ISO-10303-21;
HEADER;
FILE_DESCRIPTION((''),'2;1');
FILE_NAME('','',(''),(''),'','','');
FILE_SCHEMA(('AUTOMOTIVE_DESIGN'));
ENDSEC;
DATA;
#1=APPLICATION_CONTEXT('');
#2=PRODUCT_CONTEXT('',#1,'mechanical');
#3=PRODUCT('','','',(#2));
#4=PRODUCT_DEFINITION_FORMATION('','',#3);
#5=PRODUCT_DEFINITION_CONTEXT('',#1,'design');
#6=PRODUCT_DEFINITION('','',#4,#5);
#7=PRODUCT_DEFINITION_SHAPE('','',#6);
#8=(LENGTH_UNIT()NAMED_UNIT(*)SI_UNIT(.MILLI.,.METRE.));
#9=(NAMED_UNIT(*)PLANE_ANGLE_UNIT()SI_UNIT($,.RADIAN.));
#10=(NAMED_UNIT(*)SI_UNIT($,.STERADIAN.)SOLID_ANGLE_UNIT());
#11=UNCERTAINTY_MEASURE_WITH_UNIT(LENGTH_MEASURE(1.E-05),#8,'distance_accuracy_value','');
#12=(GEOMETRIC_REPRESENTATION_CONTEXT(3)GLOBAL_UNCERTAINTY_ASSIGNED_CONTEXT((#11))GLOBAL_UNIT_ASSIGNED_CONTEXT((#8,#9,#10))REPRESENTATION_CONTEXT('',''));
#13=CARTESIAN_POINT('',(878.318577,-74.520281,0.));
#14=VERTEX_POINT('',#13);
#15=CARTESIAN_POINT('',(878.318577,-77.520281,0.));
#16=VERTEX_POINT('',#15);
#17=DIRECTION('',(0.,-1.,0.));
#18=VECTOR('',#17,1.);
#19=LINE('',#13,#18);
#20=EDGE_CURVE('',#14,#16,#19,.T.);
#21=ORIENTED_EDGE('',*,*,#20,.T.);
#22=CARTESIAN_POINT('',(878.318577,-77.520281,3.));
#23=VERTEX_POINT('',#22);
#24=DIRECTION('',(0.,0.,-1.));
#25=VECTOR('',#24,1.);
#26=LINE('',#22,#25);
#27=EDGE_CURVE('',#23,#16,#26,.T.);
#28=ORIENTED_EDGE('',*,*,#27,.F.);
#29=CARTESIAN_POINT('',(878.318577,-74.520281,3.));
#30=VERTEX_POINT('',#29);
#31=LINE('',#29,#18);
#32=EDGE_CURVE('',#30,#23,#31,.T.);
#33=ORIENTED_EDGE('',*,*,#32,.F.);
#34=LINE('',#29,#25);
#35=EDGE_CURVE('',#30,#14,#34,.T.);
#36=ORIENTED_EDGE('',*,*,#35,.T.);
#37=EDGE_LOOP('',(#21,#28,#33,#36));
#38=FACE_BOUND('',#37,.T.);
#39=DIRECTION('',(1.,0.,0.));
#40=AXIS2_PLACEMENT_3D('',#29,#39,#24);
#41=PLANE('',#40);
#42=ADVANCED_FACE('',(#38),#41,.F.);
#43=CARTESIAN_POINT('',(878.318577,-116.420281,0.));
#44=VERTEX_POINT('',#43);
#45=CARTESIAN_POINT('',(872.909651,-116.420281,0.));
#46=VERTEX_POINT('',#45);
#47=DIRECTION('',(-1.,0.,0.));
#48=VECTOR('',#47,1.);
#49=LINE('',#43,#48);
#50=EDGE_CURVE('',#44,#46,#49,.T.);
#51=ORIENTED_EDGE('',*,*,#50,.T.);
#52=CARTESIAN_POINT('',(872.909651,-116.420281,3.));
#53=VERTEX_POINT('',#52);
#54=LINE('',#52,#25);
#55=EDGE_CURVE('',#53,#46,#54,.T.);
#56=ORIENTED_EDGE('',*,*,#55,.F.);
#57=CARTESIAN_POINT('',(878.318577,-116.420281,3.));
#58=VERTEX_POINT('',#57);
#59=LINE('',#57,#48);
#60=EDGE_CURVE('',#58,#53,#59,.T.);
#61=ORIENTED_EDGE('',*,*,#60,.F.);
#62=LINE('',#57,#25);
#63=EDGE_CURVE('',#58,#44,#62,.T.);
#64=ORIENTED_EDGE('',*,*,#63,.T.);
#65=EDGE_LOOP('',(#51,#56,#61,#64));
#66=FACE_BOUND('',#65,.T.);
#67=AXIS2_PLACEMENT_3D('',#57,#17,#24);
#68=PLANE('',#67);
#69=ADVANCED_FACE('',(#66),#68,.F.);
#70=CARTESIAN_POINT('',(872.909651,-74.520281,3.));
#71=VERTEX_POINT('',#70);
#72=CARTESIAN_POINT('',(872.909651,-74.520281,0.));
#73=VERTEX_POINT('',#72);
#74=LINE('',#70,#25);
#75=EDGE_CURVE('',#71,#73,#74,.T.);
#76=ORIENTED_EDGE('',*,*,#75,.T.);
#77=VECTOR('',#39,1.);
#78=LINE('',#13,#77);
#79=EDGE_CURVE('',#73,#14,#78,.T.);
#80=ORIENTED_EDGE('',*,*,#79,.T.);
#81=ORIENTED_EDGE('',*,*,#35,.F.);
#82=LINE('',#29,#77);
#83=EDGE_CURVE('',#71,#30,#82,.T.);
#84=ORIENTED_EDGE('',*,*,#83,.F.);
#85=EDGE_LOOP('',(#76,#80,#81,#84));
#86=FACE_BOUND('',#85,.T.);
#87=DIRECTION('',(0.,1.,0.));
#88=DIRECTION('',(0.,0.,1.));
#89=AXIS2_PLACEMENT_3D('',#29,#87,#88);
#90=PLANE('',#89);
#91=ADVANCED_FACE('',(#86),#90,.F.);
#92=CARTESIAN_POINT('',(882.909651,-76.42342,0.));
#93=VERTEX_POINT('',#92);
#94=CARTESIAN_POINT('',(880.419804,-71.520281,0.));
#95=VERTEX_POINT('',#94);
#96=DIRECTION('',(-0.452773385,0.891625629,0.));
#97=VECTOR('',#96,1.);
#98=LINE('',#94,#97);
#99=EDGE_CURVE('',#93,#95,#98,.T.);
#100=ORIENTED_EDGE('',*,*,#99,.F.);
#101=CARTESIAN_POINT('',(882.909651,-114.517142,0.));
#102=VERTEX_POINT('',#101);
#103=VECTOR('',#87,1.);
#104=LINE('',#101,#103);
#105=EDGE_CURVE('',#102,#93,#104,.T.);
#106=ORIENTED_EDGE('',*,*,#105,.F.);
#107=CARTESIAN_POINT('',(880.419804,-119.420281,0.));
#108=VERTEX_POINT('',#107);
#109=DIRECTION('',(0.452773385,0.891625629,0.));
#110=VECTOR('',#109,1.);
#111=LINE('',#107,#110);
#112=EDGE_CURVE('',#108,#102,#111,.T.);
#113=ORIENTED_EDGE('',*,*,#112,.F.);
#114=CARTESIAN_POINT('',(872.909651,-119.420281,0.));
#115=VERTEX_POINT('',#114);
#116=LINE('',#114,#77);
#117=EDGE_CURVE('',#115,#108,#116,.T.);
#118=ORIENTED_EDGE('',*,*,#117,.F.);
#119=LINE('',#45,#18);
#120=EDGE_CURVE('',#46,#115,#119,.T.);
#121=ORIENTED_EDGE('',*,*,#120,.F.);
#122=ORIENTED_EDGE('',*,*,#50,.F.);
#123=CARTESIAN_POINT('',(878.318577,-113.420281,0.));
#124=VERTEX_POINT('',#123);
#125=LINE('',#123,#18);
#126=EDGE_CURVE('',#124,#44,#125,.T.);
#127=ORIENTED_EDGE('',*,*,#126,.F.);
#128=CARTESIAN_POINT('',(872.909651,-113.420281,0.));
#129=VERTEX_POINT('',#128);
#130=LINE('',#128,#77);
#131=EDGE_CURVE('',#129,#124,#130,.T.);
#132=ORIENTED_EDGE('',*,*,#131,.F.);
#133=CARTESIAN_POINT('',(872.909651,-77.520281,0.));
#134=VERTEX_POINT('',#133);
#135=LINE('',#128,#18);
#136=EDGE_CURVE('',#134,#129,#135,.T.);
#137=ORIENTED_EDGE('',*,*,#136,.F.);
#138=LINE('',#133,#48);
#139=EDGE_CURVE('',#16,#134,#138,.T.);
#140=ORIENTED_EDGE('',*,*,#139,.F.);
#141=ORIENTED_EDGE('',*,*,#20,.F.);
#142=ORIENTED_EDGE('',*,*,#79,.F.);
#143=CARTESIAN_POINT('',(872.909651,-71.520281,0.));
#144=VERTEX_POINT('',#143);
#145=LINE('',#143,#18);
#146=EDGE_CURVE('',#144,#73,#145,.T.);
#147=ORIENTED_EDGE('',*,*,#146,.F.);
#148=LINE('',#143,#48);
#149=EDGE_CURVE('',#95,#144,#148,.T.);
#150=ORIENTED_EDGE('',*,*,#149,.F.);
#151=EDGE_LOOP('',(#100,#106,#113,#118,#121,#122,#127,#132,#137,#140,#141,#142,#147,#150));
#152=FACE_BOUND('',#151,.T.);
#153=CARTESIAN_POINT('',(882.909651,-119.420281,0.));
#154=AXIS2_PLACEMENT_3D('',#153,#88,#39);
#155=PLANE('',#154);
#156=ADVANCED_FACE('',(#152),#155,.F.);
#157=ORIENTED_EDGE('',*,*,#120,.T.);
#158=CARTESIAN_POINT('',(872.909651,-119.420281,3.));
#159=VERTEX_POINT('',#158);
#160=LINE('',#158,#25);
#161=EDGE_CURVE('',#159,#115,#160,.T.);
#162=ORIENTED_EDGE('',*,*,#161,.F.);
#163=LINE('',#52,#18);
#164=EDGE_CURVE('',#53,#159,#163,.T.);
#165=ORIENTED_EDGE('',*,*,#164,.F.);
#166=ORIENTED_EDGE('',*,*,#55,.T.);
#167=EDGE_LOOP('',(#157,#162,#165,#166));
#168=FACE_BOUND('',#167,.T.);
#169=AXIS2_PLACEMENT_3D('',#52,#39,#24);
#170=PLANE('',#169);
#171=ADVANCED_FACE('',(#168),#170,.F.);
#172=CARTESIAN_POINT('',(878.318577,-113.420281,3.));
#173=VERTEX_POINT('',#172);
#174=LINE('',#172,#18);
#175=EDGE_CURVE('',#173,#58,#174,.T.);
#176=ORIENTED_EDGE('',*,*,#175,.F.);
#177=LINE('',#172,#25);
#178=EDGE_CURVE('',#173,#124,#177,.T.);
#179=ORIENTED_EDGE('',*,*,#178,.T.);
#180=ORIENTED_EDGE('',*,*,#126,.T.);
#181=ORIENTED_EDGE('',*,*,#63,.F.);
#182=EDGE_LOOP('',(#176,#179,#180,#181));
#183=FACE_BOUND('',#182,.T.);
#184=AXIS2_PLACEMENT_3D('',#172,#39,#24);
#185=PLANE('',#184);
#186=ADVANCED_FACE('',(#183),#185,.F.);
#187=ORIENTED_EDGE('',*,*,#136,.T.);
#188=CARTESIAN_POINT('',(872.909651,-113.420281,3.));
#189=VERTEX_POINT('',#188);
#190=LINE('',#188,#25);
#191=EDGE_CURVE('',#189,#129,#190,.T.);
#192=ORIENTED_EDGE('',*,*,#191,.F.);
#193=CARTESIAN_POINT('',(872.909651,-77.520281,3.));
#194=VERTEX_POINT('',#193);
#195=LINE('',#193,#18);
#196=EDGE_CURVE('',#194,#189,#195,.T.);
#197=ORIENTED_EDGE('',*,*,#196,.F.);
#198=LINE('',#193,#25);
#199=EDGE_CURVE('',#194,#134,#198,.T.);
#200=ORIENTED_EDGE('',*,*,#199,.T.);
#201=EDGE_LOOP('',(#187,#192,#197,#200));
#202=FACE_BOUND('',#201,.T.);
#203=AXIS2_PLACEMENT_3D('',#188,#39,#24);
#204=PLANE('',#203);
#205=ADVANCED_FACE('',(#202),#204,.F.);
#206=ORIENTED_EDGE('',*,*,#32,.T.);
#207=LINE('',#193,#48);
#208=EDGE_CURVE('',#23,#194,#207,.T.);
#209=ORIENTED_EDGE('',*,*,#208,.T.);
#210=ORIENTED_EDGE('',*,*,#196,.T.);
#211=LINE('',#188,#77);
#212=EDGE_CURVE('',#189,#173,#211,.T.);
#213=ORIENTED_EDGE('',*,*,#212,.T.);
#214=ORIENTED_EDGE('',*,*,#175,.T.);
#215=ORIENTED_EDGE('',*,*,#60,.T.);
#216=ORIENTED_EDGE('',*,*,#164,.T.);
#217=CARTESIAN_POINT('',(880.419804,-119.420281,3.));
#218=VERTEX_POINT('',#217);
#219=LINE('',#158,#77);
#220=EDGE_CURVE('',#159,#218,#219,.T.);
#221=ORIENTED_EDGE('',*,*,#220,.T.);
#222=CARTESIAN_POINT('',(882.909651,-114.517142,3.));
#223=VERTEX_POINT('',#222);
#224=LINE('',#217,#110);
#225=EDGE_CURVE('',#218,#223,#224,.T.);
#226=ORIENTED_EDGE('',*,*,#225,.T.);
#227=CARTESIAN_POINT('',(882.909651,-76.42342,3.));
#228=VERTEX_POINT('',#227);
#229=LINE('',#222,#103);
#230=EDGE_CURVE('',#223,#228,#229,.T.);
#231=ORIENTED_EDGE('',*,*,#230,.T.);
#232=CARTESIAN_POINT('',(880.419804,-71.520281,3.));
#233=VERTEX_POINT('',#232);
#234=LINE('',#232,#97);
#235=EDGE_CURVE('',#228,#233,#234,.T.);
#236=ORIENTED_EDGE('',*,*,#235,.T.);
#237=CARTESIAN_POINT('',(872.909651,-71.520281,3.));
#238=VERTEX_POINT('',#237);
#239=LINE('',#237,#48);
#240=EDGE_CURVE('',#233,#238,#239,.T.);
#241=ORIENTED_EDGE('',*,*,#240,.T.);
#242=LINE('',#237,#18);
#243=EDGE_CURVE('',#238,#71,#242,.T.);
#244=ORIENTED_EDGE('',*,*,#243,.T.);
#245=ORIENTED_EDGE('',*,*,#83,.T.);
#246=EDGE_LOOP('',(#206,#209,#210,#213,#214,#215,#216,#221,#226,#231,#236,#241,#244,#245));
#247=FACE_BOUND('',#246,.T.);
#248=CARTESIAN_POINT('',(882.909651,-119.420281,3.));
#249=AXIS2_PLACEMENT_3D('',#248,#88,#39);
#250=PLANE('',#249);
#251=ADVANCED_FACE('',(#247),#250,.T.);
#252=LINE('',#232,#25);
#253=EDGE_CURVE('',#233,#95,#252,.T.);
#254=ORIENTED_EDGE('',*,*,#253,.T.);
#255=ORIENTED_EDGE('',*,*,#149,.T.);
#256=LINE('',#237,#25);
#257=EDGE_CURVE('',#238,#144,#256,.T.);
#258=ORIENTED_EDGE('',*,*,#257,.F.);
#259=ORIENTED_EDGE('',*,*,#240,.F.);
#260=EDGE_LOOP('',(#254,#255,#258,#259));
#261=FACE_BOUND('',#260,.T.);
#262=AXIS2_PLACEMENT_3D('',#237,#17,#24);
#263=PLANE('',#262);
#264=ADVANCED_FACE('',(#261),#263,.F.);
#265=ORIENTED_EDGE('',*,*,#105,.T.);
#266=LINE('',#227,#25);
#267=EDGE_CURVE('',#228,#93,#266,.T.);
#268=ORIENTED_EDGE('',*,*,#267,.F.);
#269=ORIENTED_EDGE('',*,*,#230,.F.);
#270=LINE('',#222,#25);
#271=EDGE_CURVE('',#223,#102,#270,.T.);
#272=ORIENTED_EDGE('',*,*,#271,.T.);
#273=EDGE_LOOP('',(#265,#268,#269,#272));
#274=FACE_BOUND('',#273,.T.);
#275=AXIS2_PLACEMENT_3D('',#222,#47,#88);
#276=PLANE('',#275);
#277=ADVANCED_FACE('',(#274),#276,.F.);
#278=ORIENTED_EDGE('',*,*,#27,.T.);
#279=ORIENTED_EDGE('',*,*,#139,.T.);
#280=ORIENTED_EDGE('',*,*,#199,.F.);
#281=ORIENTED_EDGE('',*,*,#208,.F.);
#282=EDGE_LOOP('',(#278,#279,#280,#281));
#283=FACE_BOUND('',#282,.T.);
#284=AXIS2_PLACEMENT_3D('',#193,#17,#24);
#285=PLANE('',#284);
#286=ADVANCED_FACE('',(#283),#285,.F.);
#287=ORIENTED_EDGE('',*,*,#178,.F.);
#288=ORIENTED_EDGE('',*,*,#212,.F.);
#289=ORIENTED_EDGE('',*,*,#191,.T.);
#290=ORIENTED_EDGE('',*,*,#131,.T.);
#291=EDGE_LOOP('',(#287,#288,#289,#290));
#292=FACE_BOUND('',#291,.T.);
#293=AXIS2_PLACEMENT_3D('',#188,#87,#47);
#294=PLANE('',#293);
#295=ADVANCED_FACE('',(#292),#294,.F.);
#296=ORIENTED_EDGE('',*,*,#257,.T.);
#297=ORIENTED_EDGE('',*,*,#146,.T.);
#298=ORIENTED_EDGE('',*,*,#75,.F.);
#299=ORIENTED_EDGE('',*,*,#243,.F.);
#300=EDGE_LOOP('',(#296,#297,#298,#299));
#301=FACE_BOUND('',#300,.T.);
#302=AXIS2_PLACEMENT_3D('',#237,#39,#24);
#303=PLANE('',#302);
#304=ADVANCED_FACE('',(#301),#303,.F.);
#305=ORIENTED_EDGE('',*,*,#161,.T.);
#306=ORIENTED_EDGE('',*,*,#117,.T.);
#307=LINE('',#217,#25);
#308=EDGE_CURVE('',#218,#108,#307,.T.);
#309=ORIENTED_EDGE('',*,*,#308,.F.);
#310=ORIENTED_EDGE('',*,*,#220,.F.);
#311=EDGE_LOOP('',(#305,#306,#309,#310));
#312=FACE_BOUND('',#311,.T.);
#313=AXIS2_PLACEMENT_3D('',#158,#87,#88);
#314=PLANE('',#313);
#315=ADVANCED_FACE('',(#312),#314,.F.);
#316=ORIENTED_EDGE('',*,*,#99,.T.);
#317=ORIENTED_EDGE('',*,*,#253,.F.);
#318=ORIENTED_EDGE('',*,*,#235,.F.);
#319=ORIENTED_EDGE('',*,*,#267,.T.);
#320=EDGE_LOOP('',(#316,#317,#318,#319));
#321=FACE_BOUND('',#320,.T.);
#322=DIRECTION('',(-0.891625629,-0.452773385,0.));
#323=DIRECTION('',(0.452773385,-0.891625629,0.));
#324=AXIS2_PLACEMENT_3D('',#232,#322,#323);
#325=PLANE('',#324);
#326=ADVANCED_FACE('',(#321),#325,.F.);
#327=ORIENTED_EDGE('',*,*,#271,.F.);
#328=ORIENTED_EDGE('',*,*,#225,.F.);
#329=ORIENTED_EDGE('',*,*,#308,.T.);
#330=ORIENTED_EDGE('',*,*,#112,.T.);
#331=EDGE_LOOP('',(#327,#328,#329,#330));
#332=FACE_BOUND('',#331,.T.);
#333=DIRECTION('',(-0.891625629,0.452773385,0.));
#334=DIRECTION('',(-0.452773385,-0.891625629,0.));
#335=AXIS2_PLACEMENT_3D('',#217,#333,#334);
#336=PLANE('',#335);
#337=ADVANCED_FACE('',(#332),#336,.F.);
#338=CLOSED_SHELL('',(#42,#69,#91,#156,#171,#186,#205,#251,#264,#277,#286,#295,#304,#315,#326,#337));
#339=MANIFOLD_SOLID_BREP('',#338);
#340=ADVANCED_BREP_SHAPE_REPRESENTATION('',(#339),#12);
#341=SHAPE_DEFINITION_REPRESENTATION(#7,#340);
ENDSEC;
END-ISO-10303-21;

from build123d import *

# Parameters (mm, degrees)
BASE_EXTRUDE_DEPTH = 3


with BuildPart() as part:
    # Sketch1 → Base-Extrude (new body)
    with BuildSketch(Plane.XY):
        Polygon((882.909650659, -114.517142196), (882.909650659, -76.423420009), (880.419804328, -71.520281102), (872.909650659, -71.520281102), (872.909650659, -74.520281102), (878.318576624, -74.520281102), (878.318576624, -77.520281102), (872.909650659, -77.520281102), (872.909650659, -103.499568009), (872.909650659, -113.420281102), (878.318576624, -113.420281102), (878.318576624, -116.420281102), (872.909650659, -116.420281102), (872.909650659, -119.420281102), (880.419804328, -119.420281102), align=None)
    extrude(amount=BASE_EXTRUDE_DEPTH)


solid = part.part
